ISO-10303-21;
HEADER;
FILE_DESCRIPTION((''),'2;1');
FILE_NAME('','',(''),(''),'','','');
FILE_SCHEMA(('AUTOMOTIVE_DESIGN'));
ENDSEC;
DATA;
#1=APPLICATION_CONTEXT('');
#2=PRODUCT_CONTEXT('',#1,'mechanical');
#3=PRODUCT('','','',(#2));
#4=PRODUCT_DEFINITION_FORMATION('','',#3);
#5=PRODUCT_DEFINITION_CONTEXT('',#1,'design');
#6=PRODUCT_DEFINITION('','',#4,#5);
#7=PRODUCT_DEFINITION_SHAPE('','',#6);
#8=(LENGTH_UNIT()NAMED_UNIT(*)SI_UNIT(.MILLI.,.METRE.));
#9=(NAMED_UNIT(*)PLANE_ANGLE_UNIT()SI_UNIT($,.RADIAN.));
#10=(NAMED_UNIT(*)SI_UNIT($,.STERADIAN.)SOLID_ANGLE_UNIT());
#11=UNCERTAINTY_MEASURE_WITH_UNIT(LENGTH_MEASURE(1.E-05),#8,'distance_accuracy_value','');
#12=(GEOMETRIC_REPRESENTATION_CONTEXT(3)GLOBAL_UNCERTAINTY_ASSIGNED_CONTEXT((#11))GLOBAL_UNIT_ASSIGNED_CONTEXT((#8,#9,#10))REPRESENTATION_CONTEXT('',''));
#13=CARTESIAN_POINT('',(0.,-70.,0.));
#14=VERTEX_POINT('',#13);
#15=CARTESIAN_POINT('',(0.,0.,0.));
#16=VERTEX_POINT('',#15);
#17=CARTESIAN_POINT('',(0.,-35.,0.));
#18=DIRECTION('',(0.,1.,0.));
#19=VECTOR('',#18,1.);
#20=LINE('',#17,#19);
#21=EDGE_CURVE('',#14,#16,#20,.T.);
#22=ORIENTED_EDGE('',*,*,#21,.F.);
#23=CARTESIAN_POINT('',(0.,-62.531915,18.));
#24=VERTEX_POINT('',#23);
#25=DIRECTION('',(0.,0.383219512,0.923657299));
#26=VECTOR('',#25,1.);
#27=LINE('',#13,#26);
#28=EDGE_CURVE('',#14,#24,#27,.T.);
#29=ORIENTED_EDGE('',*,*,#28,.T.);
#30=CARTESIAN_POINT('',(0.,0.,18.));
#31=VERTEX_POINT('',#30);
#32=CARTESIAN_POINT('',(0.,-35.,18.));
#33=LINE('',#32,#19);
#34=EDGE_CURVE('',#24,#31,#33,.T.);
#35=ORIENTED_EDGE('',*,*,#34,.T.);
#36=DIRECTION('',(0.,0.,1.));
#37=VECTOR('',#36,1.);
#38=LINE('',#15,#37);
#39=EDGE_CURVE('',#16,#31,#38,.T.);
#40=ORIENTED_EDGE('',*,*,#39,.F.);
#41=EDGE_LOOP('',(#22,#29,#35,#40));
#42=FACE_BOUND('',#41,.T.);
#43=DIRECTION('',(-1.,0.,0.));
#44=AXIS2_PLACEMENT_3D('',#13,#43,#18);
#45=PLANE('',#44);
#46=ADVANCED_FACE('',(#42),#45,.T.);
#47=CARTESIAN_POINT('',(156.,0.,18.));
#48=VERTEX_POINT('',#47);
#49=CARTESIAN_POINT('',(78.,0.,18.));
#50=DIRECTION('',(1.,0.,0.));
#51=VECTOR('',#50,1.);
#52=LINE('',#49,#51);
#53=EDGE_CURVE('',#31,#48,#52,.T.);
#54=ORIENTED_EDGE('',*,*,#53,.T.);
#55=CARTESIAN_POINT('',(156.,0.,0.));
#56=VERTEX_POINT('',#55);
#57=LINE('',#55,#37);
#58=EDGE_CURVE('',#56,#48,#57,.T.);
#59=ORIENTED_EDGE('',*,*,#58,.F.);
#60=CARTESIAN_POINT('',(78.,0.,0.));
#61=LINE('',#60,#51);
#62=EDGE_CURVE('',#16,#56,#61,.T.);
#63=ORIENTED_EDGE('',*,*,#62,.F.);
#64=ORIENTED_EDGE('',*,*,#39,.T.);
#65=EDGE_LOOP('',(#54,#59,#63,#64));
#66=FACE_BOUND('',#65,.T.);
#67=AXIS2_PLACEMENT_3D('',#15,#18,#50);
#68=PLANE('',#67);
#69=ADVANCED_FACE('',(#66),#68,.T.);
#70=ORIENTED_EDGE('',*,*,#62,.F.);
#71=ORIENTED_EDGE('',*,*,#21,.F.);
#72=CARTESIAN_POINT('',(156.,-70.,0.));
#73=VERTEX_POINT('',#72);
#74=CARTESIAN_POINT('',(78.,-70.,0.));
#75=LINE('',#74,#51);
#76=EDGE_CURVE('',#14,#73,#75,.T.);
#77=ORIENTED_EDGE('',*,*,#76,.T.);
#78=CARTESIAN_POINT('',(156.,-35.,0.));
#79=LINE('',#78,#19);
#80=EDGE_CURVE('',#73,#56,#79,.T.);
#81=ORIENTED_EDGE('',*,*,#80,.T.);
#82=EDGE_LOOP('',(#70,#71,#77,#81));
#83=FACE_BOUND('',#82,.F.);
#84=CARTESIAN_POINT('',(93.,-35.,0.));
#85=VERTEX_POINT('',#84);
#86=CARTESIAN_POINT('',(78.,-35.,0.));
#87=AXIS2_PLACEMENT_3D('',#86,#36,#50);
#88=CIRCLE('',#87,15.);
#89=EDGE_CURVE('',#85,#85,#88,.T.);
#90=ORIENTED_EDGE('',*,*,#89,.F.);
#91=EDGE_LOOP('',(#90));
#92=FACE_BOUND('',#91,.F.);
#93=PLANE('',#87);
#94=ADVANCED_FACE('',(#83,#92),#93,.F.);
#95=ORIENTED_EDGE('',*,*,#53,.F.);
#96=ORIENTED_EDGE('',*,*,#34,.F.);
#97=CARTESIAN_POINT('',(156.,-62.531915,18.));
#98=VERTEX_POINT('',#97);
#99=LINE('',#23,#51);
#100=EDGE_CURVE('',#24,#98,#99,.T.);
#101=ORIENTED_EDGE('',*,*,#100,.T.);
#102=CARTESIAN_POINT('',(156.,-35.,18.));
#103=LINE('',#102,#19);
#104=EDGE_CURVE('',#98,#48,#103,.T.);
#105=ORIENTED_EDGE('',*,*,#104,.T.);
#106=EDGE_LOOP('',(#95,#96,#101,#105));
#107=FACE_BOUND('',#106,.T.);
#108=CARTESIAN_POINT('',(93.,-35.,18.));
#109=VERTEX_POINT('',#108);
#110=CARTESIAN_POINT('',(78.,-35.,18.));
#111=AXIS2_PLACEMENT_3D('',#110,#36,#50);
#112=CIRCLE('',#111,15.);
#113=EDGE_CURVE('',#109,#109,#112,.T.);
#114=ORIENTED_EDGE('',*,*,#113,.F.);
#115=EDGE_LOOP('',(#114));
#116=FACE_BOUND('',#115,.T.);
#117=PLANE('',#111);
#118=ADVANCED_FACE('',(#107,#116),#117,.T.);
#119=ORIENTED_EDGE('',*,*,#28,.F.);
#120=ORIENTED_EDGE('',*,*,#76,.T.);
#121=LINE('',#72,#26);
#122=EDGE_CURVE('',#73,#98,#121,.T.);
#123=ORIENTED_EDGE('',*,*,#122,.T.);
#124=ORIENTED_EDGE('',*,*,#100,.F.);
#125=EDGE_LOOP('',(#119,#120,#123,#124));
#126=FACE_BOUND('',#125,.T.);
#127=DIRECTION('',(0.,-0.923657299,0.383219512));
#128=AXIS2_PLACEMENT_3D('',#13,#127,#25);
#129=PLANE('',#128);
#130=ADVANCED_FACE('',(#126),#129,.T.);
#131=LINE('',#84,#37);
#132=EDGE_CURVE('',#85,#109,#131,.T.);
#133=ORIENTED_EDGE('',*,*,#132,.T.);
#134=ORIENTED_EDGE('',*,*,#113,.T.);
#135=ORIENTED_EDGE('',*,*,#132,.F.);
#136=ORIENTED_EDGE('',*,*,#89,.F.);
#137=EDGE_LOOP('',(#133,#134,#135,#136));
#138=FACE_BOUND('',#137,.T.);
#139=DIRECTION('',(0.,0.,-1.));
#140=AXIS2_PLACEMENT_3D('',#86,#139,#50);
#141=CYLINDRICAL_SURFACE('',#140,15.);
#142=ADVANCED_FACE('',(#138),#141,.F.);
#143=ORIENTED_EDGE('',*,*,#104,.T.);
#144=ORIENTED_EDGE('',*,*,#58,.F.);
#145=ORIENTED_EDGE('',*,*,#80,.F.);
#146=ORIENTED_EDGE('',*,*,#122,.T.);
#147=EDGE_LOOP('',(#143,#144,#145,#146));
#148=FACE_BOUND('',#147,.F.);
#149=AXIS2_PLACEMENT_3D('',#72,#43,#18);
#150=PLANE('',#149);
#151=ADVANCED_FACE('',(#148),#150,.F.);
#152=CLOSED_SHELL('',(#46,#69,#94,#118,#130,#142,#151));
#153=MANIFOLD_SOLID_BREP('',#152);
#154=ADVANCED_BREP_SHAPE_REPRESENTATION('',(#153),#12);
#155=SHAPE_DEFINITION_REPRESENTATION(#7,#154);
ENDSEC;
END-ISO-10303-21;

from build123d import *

# Parameters (mm, degrees)
F0_W     = 156
F0_H     = 70
F0_R     = 15
F1_DEPTH = 18
F3_DEPTH = 156


with BuildPart() as f1:
    # F0 (on Top) → F1 (new body)
    with BuildSketch(Plane.XY):
        with Locations((78, -35)):
            Rectangle(F0_W, F0_H)
        with Locations((78, -35)):
            Circle(F0_R, mode=Mode.SUBTRACT)
    extrude(amount=F1_DEPTH)

    # F2 (on Right) → F3 (cut)
    with BuildSketch(Plane.YZ):
        Polygon((-70, 18), (-70, 0), (-62.531915, 18), align=None)
    extrude(amount=F3_DEPTH, mode=Mode.SUBTRACT)


solid = f1.part
